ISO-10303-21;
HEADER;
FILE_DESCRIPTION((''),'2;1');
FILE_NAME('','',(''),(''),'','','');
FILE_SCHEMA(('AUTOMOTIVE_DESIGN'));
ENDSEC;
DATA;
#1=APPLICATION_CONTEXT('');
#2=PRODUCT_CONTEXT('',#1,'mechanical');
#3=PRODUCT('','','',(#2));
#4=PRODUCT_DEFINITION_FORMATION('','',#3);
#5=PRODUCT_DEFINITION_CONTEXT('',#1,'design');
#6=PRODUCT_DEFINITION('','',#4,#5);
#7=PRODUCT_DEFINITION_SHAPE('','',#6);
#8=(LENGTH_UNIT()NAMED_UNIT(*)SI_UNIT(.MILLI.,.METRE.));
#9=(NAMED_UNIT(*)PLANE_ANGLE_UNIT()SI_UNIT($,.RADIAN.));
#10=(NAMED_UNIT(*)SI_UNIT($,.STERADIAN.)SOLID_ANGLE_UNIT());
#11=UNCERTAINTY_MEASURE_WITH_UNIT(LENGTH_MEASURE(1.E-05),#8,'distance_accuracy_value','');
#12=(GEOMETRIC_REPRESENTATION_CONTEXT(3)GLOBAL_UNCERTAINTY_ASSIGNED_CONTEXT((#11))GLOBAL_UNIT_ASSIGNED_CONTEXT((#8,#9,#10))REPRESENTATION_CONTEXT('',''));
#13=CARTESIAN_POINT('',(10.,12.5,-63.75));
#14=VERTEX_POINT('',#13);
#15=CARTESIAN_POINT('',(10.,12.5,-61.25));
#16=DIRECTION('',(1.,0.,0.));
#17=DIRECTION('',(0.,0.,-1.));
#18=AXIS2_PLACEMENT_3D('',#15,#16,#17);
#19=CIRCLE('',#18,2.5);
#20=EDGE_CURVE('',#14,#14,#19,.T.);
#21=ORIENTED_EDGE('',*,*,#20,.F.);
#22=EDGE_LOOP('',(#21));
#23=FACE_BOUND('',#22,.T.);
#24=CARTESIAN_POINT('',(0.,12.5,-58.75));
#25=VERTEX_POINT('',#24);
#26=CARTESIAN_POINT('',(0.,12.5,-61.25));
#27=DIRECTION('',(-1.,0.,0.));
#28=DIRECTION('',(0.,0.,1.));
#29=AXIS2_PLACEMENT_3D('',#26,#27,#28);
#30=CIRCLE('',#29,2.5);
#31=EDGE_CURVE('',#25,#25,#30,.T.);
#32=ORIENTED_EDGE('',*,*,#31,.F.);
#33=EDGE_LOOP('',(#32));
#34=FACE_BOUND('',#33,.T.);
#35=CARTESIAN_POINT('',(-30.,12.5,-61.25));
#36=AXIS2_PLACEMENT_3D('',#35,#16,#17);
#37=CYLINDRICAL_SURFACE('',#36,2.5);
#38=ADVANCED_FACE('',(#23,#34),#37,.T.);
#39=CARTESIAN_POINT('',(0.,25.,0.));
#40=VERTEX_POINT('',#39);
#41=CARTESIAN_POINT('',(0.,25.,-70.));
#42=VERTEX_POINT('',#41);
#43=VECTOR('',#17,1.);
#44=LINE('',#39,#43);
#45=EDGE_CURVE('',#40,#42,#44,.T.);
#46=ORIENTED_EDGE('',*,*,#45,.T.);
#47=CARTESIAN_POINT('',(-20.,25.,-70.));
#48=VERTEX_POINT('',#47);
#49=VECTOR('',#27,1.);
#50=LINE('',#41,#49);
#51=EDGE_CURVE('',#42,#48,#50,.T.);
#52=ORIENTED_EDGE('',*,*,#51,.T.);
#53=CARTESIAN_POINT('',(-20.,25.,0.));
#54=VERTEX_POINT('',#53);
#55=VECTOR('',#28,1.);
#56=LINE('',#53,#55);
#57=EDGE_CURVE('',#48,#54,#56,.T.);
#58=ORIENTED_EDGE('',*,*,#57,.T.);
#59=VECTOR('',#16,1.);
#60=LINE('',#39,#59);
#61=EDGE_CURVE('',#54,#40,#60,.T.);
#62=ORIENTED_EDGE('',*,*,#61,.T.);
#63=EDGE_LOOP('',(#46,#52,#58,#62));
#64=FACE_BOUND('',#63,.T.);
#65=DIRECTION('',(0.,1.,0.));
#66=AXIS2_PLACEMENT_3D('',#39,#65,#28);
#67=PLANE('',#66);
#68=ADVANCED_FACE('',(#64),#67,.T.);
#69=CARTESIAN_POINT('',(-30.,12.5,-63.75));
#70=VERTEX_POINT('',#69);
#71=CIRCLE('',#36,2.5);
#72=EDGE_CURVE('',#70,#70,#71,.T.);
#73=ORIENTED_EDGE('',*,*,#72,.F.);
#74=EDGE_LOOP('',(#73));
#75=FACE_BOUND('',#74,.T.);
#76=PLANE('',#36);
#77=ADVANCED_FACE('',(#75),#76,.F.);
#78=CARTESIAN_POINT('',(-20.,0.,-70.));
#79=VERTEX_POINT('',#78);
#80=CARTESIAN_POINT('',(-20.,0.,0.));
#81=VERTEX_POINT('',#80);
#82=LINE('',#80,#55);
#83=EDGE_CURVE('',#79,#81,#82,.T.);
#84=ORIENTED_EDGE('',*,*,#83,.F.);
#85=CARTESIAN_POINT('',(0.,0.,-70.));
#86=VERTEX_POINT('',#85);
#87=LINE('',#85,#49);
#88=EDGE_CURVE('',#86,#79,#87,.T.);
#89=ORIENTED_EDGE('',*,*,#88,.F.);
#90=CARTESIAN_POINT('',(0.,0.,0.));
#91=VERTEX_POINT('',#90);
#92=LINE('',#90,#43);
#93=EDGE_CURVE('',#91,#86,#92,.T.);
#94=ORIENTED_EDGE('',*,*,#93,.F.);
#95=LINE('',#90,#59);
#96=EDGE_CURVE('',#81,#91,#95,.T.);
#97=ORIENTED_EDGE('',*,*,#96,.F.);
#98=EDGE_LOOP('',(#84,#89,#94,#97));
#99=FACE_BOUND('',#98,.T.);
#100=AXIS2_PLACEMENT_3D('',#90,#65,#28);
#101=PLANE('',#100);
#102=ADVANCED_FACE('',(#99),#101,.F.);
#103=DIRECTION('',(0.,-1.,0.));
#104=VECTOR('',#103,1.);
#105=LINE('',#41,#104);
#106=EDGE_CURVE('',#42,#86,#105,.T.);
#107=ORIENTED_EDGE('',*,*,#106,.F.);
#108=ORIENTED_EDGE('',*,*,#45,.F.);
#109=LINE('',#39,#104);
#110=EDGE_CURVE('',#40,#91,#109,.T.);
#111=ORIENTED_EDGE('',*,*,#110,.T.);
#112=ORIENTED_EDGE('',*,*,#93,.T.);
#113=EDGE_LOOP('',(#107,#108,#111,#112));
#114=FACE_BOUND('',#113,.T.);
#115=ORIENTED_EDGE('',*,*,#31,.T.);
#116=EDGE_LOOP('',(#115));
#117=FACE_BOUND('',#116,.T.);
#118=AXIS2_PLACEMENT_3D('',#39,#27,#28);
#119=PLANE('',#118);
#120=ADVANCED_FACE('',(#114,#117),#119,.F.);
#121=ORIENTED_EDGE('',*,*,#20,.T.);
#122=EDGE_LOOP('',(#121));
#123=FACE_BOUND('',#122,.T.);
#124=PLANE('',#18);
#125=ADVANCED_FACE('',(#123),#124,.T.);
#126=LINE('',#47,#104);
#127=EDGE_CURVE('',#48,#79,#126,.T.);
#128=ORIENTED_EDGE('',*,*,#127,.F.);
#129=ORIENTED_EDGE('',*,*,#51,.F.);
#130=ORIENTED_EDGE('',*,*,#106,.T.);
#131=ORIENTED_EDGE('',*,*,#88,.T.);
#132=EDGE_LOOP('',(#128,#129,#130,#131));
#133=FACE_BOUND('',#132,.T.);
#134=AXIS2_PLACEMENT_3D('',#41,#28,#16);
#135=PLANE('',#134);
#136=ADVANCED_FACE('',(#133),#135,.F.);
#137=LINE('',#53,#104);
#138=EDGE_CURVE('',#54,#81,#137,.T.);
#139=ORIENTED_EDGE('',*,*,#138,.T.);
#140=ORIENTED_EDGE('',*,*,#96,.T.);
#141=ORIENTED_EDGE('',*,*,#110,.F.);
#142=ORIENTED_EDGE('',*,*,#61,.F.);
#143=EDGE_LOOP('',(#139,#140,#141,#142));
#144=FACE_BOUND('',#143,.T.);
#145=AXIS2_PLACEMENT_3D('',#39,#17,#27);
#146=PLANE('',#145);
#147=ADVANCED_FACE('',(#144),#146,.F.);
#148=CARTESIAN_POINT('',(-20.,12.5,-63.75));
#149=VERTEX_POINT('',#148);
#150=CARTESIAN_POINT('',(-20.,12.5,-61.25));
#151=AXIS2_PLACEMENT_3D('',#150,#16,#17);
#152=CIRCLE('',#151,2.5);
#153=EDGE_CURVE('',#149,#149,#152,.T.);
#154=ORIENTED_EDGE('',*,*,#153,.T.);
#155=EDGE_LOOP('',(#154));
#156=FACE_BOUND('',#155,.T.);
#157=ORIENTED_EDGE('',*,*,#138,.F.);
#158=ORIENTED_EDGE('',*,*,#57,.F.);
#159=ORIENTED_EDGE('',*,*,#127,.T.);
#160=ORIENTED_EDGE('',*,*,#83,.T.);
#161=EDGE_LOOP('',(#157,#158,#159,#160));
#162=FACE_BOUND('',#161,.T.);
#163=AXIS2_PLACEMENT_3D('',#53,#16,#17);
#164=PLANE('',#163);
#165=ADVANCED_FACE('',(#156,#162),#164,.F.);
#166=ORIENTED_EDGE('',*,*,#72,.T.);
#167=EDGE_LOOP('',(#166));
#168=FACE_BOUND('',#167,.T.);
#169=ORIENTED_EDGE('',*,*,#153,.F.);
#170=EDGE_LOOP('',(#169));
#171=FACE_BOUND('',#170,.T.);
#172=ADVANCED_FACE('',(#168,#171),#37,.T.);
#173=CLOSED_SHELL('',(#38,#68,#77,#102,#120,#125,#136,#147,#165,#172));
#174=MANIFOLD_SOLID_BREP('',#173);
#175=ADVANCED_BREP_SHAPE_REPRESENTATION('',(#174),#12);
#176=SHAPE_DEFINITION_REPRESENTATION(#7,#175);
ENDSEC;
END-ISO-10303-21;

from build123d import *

# Parameters (mm, degrees)
SKETCH_1_W             = 20
SKETCH_1_H             = 70
EXTRUDE_327_DEPTH      = 25
SKETCH_2_R             = 2.5
EXTRUDE_592_DEPTH      = 10
EXTRUDE_592_DEPTH_BACK = 30


with BuildPart() as part:
    # Эскиз1 → Extrude 327 (new body)
    with BuildSketch(Plane(origin=(0, 0, 0), x_dir=(1, 0, 0), z_dir=(0, 1, 0))):
        with Locations((-10, 35)):
            Rectangle(SKETCH_1_W, SKETCH_1_H)
    extrude(amount=EXTRUDE_327_DEPTH)

    # Эскиз2 → Extrude 592 (add, two sides)
    with BuildSketch(Plane(origin=(0, 0, 0), x_dir=(0, 0, -1), z_dir=(1, 0, 0))) as extrude_592_sk:
        with Locations((61.25, 12.5)):
            Circle(SKETCH_2_R)
    extrude(amount=EXTRUDE_592_DEPTH)
    extrude(extrude_592_sk.sketch, amount=-EXTRUDE_592_DEPTH_BACK)


solid = part.part
